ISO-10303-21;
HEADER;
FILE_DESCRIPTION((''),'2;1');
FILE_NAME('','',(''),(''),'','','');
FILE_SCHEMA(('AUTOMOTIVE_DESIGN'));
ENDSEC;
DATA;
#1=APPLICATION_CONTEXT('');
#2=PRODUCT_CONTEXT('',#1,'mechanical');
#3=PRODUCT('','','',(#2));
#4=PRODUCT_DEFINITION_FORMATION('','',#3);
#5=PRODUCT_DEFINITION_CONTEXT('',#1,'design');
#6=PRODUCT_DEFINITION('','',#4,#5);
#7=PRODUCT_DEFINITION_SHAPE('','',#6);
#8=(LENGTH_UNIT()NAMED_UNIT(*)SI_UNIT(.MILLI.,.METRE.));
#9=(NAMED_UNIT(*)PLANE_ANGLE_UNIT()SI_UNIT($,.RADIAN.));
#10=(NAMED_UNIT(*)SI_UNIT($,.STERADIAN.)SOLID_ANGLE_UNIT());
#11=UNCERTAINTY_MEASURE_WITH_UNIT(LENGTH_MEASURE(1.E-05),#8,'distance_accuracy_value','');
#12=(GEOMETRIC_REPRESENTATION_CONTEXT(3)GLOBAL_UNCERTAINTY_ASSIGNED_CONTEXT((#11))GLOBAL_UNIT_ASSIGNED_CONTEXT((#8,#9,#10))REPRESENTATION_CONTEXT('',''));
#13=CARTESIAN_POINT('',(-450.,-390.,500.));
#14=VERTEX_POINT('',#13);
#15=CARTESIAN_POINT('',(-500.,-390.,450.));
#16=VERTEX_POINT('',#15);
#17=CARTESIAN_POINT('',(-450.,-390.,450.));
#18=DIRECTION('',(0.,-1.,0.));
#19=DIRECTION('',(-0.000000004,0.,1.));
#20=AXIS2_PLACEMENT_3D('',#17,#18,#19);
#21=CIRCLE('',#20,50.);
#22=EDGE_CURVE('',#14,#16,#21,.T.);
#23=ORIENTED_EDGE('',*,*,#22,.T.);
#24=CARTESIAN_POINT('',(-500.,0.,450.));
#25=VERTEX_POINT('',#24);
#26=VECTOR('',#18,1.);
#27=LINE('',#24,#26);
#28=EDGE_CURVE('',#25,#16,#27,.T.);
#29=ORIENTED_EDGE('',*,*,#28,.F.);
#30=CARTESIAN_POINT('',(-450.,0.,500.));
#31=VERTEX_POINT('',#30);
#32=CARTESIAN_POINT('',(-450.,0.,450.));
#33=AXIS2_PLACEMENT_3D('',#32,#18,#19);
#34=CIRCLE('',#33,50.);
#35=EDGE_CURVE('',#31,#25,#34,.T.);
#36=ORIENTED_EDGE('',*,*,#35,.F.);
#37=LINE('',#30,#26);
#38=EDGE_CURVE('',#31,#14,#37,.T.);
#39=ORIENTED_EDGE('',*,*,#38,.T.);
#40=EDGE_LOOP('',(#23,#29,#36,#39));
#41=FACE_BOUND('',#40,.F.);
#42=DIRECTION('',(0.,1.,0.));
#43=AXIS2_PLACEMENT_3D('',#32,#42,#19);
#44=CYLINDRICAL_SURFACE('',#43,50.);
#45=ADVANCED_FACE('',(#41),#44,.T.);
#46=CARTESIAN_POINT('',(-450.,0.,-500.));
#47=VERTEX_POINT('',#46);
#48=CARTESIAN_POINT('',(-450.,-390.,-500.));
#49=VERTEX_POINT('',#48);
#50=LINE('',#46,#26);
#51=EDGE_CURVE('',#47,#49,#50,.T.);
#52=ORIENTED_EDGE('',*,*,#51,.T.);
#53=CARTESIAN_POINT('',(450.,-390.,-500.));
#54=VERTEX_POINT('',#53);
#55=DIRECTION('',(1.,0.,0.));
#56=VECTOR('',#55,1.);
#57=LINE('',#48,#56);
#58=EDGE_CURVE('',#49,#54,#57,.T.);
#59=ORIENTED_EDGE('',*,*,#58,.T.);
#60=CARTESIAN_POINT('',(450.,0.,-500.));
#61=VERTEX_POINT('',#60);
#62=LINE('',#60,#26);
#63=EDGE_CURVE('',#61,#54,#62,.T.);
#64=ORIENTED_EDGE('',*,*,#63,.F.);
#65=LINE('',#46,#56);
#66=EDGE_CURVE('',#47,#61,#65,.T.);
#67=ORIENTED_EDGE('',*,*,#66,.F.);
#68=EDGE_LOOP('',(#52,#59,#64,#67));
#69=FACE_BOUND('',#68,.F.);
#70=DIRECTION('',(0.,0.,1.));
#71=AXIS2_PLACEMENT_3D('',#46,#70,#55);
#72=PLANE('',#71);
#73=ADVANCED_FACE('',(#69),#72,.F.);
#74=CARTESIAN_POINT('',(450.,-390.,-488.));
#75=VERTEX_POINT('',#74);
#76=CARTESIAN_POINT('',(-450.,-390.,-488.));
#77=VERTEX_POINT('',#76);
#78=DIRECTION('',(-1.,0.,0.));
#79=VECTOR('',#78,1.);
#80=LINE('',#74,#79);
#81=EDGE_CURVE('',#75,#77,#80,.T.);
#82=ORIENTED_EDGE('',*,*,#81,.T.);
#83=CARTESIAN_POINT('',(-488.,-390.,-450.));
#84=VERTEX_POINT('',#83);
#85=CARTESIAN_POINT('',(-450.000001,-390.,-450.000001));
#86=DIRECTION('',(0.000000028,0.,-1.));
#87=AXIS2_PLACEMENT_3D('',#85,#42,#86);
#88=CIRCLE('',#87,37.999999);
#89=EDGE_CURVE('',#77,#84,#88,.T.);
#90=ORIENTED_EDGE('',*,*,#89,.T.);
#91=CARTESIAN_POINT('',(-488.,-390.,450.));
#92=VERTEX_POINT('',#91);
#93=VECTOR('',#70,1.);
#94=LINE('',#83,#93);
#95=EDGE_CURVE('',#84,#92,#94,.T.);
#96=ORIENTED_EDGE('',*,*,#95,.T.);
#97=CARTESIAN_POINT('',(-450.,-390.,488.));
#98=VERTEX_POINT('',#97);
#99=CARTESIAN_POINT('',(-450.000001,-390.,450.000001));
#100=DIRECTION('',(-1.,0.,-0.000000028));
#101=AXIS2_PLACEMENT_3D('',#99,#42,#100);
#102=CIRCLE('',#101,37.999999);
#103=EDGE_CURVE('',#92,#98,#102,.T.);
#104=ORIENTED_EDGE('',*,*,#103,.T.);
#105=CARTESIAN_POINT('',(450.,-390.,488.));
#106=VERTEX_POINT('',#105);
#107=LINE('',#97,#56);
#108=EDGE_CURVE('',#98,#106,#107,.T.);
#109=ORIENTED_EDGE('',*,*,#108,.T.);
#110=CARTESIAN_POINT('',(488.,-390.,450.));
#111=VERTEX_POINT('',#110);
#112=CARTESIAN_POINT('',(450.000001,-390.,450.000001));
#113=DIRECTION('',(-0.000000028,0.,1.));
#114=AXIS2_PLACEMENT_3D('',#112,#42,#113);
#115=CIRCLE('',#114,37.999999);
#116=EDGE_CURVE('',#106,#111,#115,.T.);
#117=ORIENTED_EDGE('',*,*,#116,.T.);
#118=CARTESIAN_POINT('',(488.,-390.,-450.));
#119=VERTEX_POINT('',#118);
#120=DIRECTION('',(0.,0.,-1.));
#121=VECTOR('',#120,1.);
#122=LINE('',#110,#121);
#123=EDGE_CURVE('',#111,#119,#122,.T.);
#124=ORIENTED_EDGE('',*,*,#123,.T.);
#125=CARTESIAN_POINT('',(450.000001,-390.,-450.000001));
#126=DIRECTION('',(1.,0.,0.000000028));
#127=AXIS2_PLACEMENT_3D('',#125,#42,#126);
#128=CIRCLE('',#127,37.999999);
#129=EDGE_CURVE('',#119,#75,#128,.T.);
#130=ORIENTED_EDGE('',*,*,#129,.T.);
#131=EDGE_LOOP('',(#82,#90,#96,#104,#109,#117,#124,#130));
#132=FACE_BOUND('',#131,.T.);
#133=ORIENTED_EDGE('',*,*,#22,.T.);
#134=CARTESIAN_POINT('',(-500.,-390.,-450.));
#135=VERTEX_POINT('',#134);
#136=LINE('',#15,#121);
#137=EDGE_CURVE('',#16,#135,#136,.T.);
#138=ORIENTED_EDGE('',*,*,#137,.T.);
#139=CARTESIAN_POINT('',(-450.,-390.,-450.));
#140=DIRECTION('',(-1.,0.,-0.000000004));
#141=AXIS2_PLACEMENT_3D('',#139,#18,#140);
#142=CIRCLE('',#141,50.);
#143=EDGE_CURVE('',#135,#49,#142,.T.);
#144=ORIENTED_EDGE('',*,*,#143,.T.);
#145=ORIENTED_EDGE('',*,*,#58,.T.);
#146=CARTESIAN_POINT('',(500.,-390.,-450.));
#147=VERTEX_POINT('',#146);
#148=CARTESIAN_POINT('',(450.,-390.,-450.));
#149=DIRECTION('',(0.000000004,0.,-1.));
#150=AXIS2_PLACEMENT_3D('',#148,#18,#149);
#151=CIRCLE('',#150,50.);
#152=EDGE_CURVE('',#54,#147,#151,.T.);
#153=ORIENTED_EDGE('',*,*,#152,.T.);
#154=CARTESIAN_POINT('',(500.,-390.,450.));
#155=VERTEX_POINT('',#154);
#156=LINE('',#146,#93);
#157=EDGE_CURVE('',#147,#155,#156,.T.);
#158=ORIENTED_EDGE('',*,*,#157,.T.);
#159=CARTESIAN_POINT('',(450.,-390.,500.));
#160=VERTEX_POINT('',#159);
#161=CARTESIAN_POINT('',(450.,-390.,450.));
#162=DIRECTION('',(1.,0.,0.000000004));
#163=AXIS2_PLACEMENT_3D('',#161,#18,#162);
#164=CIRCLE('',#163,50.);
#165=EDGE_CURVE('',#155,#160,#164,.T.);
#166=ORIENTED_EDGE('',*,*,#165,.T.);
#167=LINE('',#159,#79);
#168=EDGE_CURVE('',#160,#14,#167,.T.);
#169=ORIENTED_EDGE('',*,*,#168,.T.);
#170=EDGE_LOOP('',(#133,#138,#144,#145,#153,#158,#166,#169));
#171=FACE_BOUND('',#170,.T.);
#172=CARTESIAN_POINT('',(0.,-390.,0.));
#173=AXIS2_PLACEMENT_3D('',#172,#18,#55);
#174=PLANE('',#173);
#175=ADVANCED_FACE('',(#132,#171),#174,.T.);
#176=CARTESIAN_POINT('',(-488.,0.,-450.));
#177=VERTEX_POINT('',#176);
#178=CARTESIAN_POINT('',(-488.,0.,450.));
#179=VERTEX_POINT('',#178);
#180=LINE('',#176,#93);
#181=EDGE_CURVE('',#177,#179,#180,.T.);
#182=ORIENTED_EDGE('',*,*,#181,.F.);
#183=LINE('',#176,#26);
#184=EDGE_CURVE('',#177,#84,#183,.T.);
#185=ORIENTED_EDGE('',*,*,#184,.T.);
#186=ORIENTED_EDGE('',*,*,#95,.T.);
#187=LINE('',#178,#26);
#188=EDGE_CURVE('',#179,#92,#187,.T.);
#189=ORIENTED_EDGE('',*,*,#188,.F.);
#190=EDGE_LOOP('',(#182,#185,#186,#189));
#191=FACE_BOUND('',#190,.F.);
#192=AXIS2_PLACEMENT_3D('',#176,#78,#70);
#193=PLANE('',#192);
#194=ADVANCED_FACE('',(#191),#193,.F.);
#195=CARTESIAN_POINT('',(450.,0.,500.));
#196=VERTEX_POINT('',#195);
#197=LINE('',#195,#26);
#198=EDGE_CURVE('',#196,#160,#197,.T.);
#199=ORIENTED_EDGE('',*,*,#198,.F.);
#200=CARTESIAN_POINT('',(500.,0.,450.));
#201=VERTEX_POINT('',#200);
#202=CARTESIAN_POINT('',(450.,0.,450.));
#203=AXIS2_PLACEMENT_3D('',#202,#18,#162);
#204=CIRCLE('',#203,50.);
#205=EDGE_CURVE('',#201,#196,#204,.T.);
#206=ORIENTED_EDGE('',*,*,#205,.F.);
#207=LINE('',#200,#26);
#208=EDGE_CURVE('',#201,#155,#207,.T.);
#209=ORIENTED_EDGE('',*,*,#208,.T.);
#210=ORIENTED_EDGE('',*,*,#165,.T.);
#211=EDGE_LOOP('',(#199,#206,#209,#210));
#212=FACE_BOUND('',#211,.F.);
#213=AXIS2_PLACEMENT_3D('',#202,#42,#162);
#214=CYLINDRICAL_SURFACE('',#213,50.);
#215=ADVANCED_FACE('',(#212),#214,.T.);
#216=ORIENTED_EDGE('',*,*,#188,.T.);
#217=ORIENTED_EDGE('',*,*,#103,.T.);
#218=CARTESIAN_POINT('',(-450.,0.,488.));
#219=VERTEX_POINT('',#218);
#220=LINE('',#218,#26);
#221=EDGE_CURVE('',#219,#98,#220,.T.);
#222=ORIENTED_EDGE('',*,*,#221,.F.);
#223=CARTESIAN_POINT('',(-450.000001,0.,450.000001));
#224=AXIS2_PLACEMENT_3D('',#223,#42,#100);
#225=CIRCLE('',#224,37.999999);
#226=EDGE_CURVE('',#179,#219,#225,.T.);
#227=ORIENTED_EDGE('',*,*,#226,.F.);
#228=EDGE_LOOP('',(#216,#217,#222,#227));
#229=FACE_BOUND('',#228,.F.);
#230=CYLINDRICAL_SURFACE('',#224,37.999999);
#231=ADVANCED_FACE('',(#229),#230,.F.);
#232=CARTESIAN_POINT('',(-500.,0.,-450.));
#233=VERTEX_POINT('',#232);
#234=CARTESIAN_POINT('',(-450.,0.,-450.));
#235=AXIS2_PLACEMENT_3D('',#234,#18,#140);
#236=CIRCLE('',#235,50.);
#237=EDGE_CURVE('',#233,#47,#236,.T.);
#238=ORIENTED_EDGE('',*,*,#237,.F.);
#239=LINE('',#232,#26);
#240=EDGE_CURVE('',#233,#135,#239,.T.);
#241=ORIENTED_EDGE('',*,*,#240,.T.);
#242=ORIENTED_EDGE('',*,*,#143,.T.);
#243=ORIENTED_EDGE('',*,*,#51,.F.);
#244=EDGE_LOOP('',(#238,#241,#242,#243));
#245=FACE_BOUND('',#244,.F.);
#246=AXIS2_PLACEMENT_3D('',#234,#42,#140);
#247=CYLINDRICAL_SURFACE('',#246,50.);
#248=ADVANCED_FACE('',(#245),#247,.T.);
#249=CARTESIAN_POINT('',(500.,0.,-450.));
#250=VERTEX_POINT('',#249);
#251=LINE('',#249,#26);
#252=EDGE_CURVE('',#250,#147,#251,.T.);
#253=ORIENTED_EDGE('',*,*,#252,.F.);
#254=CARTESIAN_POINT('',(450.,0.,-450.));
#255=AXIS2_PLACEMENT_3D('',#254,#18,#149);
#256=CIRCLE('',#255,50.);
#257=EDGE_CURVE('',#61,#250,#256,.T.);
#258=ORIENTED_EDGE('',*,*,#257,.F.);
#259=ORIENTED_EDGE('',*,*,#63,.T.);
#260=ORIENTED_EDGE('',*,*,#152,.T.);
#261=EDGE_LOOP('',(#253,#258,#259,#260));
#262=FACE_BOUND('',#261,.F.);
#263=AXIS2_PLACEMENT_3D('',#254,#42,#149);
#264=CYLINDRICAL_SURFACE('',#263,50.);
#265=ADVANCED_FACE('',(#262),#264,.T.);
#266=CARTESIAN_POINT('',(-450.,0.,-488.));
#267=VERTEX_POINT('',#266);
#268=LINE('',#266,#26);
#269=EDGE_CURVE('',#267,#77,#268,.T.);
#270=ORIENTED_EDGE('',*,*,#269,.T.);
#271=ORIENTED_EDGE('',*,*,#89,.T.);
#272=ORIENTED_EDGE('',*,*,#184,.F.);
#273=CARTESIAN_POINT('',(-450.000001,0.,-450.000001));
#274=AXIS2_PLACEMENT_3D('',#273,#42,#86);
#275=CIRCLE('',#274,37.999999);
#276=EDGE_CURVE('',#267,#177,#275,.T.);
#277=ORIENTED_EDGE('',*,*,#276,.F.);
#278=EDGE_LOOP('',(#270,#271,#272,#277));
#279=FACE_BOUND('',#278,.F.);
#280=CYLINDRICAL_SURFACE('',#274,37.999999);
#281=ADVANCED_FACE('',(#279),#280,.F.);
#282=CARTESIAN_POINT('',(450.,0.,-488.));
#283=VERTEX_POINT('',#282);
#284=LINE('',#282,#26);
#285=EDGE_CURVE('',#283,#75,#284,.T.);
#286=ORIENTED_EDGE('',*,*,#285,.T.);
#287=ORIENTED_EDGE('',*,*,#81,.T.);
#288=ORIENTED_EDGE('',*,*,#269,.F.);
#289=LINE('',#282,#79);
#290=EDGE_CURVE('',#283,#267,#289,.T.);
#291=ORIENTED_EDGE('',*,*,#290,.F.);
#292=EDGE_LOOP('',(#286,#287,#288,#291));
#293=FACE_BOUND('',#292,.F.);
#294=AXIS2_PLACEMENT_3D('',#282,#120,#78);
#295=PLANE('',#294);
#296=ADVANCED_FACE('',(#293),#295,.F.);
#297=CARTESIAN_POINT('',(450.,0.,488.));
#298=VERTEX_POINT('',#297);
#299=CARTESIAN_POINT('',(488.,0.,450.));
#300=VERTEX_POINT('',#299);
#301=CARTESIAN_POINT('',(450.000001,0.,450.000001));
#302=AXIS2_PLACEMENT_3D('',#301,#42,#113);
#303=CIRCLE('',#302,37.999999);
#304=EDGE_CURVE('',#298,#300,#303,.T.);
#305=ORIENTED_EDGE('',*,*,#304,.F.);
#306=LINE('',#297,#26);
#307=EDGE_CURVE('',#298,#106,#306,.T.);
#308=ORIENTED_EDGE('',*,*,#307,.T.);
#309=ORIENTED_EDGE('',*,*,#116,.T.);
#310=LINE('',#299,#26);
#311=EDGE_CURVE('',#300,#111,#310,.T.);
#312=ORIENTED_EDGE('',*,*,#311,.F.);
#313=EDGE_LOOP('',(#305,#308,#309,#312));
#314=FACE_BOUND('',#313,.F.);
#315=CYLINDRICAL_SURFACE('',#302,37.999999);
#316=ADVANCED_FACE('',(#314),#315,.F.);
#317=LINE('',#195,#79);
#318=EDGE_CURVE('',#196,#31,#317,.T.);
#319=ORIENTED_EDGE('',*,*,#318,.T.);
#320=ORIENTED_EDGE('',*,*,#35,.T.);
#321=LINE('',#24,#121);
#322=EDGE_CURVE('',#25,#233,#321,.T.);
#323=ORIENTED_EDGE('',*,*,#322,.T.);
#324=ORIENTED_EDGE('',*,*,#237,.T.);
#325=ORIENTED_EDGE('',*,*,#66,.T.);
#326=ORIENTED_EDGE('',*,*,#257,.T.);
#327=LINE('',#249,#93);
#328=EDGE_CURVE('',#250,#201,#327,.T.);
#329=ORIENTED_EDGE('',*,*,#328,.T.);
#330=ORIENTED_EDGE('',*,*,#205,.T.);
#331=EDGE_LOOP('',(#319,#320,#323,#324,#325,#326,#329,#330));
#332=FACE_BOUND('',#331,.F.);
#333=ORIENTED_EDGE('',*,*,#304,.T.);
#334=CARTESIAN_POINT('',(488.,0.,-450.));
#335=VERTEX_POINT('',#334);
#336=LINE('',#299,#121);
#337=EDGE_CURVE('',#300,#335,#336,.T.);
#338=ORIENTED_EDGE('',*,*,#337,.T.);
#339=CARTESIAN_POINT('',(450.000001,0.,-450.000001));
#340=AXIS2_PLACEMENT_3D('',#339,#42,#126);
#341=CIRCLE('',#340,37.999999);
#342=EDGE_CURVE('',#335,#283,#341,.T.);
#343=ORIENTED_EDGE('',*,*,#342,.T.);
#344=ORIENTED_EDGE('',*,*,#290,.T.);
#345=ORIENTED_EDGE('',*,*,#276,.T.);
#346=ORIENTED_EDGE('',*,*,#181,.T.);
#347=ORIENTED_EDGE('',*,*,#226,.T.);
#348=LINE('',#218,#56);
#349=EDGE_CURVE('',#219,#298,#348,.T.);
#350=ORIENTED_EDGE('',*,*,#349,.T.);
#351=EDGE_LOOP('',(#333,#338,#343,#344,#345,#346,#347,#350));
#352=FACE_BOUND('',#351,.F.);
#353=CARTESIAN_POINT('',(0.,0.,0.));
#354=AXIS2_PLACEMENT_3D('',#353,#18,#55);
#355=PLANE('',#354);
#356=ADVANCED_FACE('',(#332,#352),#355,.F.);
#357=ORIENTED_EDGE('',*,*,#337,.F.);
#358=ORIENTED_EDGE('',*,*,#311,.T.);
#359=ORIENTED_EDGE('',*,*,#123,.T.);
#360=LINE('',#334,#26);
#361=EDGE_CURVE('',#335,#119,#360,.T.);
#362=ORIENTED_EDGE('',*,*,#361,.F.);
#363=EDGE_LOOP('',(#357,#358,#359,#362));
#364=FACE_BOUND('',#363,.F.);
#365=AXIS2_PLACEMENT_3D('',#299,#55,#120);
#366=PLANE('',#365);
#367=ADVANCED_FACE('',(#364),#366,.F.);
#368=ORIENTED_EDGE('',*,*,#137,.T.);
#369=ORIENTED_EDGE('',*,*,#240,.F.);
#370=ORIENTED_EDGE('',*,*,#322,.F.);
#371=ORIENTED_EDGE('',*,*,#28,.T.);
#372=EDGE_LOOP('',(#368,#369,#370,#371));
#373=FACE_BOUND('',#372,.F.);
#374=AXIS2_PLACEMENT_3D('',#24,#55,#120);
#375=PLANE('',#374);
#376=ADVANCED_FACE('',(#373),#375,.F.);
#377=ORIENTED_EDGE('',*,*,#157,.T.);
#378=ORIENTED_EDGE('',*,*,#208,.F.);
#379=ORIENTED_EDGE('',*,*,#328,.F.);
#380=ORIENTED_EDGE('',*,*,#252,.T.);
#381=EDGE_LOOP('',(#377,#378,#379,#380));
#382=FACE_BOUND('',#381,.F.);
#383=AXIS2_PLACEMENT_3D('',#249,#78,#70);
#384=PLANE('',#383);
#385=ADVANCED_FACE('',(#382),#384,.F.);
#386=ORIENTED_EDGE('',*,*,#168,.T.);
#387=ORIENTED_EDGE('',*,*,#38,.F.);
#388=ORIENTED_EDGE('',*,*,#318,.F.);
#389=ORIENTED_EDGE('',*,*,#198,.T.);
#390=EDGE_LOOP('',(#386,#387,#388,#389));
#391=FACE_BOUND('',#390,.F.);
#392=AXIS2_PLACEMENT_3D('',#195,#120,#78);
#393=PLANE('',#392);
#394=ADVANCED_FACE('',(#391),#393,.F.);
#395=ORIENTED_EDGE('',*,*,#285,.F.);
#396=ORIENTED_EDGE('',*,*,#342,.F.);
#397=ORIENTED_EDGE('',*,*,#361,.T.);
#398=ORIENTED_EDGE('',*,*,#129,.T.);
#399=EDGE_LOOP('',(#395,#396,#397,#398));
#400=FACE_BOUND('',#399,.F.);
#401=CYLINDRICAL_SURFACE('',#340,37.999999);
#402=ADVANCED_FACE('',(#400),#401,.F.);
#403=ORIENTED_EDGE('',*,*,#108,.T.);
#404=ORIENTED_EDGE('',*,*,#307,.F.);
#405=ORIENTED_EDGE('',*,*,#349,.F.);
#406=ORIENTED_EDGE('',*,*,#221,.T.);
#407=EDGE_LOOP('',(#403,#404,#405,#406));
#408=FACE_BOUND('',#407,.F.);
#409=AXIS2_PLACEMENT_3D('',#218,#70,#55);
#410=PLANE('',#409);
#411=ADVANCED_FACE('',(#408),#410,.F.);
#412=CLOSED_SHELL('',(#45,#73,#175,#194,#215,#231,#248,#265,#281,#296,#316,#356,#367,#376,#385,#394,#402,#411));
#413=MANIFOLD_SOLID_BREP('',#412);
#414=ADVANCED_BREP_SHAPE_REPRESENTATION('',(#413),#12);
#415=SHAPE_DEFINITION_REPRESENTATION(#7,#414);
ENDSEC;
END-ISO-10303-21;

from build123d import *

# Parameters (mm, degrees)
F1_DEPTH = 390


with BuildPart() as f1:
    # F0 (on Front) → F1 (new body)
    with BuildSketch(Plane.XZ):
        with BuildLine():
            ThreePointArc((500, 450), (485.355339, 485.355339), (450, 500))
            Line((450, 500), (-450, 500))
            ThreePointArc((-450, 500), (-485.355339, 485.355339), (-500, 450))
            Line((-500, 450), (-500, -450))
            ThreePointArc((-500, -450), (-485.355339, -485.355339), (-450, -500))
            Line((-450, -500), (450, -500))
            ThreePointArc((450, -500), (485.355339, -485.355339), (500, -450))
            Line((500, -450), (500, 450))
        make_face()
        with BuildLine():
            Line((-450, 488), (450, 488))
            ThreePointArc((450, 488), (476.870058, 476.870058), (488, 450))
            Line((488, 450), (488, -450))
            ThreePointArc((488, -450), (476.870058, -476.870058), (450, -488))
            Line((450, -488), (-450, -488))
            ThreePointArc((-450, -488), (-476.870058, -476.870058), (-488, -450))
            Line((-488, -450), (-488, 450))
            ThreePointArc((-488, 450), (-476.870058, 476.870058), (-450, 488))
        make_face(mode=Mode.SUBTRACT)
    extrude(amount=F1_DEPTH)


solid = f1.part
